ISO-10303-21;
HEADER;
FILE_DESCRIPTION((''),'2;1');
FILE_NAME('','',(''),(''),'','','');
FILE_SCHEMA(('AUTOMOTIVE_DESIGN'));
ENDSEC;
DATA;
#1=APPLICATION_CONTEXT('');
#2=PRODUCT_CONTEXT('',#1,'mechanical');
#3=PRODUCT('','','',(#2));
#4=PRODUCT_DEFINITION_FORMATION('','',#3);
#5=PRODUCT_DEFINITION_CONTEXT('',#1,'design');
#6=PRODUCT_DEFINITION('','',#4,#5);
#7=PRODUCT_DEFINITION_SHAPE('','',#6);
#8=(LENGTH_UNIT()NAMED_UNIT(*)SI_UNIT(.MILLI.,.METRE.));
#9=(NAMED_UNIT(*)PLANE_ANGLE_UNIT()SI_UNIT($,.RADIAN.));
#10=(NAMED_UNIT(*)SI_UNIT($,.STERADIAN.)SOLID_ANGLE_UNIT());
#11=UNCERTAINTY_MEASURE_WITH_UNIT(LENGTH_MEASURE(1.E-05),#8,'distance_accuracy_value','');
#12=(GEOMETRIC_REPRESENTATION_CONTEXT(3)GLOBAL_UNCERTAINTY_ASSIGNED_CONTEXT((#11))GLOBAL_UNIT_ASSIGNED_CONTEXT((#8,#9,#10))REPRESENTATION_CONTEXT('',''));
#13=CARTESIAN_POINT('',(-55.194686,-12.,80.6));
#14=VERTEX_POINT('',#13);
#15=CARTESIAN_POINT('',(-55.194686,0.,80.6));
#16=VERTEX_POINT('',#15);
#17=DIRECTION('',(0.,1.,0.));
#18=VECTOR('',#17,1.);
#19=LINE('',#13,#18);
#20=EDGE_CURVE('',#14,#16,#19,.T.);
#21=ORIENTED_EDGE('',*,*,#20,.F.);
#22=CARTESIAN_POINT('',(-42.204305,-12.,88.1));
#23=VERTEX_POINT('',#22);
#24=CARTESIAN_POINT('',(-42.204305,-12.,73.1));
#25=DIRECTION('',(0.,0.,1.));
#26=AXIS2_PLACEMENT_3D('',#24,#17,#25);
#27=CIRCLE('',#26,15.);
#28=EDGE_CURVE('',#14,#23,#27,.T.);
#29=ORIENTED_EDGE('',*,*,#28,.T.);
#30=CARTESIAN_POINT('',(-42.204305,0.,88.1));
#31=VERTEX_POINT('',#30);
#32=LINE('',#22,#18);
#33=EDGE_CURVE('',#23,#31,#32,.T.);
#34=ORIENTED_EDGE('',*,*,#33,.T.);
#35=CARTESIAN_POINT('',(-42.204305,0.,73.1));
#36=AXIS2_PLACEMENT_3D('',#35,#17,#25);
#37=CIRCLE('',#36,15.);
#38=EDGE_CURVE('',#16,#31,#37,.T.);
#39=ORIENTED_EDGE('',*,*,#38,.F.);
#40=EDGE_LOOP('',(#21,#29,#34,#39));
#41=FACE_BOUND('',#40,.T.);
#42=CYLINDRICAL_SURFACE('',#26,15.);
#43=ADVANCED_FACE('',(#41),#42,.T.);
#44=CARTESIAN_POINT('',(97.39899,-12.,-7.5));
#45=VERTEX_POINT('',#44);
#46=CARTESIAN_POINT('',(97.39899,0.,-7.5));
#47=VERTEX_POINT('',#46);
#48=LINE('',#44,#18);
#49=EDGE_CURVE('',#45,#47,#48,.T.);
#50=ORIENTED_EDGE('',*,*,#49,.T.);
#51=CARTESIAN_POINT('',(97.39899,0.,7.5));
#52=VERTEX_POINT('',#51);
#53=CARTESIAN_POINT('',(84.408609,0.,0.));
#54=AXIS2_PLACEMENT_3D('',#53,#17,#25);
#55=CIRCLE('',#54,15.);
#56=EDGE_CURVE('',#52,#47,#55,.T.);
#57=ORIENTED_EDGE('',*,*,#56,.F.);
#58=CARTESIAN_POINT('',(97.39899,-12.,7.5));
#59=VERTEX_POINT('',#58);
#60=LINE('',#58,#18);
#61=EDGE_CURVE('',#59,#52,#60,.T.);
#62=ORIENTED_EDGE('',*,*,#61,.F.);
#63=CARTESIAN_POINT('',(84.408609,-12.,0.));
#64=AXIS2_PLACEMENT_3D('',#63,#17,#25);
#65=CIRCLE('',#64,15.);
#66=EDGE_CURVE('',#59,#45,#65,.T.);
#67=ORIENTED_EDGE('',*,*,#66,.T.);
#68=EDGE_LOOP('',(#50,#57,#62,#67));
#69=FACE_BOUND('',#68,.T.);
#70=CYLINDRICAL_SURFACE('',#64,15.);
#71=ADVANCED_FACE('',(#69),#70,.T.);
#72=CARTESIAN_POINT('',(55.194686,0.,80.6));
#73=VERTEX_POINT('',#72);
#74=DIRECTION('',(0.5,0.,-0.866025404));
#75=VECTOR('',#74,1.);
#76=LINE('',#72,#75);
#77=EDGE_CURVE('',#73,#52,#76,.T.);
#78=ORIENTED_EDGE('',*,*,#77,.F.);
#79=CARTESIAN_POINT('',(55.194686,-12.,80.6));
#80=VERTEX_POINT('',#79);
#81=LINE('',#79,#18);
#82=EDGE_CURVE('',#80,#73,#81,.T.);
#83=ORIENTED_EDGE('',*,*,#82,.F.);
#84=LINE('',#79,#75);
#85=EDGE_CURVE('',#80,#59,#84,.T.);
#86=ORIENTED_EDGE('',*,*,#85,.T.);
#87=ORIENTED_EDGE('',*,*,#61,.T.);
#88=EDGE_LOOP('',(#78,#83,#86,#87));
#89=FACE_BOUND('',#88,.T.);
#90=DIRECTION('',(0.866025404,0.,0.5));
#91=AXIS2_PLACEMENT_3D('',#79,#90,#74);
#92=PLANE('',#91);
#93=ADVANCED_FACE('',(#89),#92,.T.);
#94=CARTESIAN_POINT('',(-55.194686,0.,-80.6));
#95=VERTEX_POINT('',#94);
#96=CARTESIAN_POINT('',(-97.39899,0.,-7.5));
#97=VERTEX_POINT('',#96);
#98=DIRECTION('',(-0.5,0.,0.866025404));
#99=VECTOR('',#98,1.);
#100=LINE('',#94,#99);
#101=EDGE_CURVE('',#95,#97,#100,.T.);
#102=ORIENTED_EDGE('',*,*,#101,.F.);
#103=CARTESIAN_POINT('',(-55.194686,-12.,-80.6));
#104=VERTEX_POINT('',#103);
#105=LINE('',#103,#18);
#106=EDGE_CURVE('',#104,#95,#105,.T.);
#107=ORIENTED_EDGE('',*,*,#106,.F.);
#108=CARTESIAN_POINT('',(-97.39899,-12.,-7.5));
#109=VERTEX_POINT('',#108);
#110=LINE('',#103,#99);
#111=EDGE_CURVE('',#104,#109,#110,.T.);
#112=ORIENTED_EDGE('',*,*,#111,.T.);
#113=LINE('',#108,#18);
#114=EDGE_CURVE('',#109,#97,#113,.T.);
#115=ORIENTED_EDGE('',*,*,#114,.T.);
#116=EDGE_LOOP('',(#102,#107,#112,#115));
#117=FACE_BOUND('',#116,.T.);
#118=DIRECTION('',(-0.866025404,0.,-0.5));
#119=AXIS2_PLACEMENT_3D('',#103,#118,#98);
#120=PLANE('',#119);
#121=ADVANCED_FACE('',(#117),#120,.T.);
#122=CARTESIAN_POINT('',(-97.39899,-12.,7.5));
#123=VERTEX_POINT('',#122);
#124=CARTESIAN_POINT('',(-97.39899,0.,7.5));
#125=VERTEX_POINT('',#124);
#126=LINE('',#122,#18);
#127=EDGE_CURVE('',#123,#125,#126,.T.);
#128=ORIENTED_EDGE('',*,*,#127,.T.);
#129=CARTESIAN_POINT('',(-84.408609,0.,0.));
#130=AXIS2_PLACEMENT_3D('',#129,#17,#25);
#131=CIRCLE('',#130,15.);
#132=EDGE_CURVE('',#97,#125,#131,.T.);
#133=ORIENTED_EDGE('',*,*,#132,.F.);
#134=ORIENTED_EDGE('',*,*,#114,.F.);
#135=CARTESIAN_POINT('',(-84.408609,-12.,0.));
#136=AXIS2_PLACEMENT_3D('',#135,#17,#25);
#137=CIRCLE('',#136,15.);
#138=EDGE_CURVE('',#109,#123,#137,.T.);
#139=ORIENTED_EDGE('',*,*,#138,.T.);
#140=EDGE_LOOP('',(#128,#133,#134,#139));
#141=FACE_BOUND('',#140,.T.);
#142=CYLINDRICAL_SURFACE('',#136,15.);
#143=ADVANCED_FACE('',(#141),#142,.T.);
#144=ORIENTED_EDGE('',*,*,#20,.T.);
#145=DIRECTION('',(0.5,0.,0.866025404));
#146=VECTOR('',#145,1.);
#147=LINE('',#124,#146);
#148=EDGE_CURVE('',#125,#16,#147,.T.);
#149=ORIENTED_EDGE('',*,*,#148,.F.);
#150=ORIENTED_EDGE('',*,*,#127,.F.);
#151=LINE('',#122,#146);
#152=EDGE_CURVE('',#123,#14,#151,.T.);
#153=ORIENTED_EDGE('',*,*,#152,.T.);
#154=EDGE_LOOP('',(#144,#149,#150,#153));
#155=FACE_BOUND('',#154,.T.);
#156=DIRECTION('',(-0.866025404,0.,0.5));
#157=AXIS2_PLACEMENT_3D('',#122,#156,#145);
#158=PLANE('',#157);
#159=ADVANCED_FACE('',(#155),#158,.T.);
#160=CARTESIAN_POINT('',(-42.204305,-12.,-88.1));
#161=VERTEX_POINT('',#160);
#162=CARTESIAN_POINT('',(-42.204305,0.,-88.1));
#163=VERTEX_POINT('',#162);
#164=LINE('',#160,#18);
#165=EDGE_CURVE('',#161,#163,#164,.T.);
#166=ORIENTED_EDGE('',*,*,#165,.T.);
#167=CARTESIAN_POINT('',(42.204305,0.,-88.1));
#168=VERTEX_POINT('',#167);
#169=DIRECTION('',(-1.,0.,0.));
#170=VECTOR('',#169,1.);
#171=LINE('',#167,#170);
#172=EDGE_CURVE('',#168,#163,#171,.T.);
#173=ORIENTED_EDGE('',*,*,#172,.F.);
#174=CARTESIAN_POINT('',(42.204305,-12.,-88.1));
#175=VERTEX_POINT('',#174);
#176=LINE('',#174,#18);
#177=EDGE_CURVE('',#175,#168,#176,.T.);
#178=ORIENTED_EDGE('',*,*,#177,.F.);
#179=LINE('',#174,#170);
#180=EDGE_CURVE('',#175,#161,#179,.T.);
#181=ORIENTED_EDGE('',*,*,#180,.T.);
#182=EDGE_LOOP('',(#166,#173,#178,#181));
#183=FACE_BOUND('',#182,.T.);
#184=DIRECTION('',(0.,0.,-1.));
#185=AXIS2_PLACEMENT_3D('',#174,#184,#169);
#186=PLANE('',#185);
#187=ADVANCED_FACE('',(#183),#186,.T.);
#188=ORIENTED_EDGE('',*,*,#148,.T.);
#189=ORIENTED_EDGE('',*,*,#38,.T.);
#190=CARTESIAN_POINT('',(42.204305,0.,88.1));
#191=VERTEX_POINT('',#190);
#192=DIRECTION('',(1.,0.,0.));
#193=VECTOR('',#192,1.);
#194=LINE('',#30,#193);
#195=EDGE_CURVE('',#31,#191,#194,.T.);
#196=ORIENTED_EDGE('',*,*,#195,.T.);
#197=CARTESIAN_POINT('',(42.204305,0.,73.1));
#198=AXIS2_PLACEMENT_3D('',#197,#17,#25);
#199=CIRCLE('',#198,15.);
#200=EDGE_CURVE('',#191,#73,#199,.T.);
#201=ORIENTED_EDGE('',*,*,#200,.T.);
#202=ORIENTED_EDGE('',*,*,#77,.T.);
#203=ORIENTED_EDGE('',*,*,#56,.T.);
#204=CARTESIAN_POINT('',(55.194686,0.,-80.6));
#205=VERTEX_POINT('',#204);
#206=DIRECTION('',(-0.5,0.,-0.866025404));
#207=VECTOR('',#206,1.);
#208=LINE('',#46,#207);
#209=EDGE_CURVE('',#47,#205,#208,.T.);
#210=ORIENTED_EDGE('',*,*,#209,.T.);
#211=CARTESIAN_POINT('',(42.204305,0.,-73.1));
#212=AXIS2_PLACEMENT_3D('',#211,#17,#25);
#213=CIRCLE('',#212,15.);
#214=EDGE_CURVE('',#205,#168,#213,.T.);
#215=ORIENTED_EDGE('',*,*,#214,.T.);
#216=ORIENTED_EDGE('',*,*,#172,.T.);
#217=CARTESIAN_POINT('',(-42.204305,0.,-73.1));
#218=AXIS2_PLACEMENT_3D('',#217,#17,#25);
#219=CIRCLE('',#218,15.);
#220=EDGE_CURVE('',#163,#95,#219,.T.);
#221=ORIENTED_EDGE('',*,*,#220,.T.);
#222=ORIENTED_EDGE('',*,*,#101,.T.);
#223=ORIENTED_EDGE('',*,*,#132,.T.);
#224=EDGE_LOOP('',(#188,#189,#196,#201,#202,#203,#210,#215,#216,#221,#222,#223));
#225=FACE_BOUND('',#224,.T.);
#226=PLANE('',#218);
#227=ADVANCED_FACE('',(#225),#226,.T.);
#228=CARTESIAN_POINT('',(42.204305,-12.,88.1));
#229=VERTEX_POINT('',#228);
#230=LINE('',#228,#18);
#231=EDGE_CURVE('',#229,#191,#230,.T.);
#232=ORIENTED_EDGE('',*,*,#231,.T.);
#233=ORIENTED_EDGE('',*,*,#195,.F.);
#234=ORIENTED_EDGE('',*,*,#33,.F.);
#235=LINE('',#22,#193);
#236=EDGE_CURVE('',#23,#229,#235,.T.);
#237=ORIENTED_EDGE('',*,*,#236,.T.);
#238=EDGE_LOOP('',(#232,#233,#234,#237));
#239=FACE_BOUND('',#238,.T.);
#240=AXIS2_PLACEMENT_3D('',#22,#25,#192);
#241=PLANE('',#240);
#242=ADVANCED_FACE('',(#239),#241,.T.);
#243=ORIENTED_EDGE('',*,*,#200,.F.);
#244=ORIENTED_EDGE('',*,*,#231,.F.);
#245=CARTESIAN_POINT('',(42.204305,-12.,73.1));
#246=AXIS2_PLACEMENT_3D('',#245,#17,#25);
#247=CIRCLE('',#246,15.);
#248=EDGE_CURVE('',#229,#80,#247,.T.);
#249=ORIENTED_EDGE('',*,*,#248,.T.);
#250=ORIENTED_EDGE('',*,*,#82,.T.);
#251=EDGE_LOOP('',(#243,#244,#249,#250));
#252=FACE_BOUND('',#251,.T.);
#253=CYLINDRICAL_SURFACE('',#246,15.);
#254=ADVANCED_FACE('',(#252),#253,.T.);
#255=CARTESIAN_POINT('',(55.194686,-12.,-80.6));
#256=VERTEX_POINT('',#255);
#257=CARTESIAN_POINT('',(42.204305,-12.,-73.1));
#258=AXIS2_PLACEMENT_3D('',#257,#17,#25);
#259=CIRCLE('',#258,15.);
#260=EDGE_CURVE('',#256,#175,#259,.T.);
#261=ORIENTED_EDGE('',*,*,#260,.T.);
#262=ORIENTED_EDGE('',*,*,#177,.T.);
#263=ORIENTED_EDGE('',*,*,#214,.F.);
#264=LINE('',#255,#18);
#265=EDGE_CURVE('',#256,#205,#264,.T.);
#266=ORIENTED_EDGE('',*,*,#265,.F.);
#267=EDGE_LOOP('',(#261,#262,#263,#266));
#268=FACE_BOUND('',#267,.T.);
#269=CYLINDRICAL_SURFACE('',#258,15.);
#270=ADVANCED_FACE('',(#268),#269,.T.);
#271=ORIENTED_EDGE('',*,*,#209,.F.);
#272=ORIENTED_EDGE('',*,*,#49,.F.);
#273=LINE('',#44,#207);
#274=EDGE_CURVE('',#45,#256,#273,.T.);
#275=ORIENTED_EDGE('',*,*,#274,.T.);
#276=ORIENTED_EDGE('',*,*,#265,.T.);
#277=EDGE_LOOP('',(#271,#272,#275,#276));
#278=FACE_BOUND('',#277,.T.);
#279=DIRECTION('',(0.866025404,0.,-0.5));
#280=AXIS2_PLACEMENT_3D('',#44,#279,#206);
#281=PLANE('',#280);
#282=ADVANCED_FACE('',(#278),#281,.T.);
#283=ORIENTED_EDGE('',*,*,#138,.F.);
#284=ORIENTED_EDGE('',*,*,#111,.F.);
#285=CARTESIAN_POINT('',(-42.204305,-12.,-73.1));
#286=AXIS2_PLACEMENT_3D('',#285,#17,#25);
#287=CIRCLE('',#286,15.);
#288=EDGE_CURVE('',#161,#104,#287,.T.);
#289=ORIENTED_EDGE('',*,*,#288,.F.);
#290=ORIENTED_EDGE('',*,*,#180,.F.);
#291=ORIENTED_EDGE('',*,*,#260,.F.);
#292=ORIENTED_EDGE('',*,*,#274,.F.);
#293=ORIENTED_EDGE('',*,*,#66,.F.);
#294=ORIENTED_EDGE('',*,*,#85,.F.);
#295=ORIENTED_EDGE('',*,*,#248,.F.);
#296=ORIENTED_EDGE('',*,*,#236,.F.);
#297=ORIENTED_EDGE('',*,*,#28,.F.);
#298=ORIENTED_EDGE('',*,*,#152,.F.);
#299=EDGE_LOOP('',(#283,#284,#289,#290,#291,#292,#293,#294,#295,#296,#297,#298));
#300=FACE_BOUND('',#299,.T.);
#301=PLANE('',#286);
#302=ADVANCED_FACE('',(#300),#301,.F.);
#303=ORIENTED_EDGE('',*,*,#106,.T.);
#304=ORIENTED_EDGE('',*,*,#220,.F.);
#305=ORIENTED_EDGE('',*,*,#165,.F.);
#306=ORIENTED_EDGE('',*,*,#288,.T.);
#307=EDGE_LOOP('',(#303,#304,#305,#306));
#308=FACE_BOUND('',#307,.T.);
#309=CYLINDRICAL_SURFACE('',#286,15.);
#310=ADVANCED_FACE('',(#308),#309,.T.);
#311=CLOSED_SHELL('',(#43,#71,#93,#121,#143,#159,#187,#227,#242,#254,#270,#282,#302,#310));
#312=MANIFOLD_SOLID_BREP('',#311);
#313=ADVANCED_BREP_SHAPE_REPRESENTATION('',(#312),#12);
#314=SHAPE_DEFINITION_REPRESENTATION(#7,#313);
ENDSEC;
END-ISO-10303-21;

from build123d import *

# Parameters (mm, degrees)
BOSS_EXTRUDE1_DEPTH = 12


with BuildPart() as part:
    # Sketch1 → Boss-Extrude1 (new body)
    with BuildSketch(Plane(origin=(0, 0, 0), x_dir=(1, 0, 0), z_dir=(0, 1, 0))):
        with BuildLine():
            Line((42.204304678, 88.1), (-42.204304678, 88.1))
            ThreePointArc((-42.204304678, 88.1), (-49.704304678, 86.090381057), (-55.194685735, 80.6))
            Line((-55.194685735, 80.6), (-97.398990412, 7.5))
            ThreePointArc((-97.398990412, 7.5), (-99.408609356, 0), (-97.398990412, -7.5))
            Line((-97.398990412, -7.5), (-55.194685735, -80.6))
            ThreePointArc((-55.194685735, -80.6), (-49.704304678, -86.090381057), (-42.204304678, -88.1))
            Line((-42.204304678, -88.1), (42.204304678, -88.1))
            ThreePointArc((42.204304678, -88.1), (49.704304678, -86.090381057), (55.194685735, -80.6))
            Line((55.194685735, -80.6), (97.398990412, -7.5))
            ThreePointArc((97.398990412, -7.5), (99.408609356, 0), (97.398990412, 7.5))
            Line((97.398990412, 7.5), (55.194685735, 80.6))
            ThreePointArc((55.194685735, 80.6), (49.704304678, 86.090381057), (42.204304678, 88.1))
        make_face()
    extrude(amount=-BOSS_EXTRUDE1_DEPTH)


solid = part.part
